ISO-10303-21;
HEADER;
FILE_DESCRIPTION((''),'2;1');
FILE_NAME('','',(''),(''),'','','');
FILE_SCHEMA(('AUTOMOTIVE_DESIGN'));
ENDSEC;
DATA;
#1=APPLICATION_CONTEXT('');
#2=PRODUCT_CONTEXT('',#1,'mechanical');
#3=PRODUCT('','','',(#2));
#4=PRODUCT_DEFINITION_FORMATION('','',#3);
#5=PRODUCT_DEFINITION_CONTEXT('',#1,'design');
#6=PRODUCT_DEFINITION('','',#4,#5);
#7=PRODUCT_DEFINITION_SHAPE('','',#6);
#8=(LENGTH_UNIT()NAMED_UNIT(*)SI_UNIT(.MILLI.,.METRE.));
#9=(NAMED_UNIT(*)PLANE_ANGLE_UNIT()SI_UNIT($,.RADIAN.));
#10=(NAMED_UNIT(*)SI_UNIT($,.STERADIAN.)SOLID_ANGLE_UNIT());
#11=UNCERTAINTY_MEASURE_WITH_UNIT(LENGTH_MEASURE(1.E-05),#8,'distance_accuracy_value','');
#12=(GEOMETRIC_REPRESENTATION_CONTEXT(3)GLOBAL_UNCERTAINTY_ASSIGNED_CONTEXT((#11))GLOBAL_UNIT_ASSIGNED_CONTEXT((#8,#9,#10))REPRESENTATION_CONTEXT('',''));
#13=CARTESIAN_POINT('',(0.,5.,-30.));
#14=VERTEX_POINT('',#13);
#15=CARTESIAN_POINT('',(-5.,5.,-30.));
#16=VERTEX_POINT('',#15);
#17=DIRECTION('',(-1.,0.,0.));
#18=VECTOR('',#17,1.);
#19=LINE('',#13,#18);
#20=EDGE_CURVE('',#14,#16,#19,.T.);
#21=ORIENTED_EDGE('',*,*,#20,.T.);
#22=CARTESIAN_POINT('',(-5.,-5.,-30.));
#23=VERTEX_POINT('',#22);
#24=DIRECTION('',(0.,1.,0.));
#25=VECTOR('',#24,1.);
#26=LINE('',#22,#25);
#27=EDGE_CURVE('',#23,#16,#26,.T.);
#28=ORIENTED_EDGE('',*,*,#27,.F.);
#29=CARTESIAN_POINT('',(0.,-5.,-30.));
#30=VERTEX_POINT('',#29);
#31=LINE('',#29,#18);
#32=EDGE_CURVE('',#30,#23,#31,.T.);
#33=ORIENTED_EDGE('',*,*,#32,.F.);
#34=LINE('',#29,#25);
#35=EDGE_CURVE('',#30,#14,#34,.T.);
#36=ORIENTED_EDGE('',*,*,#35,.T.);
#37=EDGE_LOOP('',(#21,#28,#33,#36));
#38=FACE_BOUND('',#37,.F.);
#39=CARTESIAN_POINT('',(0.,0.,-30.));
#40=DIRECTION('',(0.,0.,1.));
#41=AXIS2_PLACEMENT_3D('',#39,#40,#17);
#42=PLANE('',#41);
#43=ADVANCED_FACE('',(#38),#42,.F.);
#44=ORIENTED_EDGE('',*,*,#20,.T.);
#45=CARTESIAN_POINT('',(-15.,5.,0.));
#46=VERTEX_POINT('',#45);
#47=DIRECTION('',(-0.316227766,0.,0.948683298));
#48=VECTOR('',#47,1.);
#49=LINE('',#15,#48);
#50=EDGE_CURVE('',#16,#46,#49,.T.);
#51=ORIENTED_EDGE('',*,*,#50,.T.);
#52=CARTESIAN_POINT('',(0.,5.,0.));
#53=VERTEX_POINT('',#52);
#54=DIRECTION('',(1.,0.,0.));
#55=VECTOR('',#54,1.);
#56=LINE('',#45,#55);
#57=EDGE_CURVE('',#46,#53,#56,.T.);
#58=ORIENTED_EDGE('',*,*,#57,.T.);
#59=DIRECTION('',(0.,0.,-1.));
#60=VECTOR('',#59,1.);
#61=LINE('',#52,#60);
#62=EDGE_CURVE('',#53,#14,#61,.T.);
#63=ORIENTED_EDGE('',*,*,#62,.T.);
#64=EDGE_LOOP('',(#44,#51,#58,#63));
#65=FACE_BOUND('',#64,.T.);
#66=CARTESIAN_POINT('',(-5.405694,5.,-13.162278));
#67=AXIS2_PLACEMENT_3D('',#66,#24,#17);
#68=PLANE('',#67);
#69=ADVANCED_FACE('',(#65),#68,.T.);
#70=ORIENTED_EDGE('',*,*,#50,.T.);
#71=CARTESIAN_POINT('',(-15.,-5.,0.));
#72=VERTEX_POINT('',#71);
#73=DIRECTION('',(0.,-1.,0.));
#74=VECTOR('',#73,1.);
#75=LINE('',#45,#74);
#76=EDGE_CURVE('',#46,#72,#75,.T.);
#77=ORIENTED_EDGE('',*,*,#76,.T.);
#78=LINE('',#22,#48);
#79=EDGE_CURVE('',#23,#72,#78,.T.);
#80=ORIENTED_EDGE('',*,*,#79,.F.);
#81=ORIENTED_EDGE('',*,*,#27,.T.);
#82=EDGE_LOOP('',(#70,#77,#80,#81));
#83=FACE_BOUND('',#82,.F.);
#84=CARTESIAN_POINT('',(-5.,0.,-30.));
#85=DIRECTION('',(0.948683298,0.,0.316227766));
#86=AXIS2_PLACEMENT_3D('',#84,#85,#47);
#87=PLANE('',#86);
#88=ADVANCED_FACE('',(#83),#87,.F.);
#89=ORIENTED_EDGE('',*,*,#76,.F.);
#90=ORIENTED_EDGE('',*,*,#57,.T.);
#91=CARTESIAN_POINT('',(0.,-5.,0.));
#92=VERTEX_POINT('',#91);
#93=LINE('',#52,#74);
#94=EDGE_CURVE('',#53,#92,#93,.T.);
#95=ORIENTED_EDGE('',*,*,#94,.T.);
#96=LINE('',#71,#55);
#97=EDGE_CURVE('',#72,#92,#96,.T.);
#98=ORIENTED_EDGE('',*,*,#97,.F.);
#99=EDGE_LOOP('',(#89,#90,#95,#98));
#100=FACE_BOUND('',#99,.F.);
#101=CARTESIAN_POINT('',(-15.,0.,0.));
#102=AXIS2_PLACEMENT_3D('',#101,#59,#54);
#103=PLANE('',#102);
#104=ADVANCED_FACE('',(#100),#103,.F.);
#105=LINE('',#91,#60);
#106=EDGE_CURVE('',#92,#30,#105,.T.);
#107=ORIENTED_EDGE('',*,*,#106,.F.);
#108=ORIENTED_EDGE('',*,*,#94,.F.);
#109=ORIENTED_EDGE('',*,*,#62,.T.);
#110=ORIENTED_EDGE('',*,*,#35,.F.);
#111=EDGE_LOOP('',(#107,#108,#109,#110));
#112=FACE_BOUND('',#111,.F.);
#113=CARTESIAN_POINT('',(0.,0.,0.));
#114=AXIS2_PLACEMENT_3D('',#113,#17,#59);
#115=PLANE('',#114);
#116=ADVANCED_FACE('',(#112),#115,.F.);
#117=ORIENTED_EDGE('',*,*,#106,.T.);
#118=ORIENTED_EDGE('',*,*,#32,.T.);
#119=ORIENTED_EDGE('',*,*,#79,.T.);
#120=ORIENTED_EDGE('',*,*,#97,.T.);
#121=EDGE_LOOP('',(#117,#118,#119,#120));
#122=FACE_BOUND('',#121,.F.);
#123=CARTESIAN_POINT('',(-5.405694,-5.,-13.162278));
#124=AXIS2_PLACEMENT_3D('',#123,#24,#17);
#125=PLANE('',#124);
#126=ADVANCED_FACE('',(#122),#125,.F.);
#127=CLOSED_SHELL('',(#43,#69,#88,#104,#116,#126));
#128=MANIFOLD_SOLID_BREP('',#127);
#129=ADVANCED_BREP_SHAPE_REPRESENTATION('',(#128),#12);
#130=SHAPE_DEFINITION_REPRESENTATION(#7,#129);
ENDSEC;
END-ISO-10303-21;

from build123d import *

# Parameters (mm, degrees)
PAD_DEPTH = 5


with BuildPart() as part:
    # Sketch → Pad (new body, symmetric)
    with BuildSketch(Plane.XZ):
        Polygon((0, 0), (0, -30), (-5, -30), (-15, 0), align=None)
    extrude(amount=PAD_DEPTH, both=True)


solid = part.part
